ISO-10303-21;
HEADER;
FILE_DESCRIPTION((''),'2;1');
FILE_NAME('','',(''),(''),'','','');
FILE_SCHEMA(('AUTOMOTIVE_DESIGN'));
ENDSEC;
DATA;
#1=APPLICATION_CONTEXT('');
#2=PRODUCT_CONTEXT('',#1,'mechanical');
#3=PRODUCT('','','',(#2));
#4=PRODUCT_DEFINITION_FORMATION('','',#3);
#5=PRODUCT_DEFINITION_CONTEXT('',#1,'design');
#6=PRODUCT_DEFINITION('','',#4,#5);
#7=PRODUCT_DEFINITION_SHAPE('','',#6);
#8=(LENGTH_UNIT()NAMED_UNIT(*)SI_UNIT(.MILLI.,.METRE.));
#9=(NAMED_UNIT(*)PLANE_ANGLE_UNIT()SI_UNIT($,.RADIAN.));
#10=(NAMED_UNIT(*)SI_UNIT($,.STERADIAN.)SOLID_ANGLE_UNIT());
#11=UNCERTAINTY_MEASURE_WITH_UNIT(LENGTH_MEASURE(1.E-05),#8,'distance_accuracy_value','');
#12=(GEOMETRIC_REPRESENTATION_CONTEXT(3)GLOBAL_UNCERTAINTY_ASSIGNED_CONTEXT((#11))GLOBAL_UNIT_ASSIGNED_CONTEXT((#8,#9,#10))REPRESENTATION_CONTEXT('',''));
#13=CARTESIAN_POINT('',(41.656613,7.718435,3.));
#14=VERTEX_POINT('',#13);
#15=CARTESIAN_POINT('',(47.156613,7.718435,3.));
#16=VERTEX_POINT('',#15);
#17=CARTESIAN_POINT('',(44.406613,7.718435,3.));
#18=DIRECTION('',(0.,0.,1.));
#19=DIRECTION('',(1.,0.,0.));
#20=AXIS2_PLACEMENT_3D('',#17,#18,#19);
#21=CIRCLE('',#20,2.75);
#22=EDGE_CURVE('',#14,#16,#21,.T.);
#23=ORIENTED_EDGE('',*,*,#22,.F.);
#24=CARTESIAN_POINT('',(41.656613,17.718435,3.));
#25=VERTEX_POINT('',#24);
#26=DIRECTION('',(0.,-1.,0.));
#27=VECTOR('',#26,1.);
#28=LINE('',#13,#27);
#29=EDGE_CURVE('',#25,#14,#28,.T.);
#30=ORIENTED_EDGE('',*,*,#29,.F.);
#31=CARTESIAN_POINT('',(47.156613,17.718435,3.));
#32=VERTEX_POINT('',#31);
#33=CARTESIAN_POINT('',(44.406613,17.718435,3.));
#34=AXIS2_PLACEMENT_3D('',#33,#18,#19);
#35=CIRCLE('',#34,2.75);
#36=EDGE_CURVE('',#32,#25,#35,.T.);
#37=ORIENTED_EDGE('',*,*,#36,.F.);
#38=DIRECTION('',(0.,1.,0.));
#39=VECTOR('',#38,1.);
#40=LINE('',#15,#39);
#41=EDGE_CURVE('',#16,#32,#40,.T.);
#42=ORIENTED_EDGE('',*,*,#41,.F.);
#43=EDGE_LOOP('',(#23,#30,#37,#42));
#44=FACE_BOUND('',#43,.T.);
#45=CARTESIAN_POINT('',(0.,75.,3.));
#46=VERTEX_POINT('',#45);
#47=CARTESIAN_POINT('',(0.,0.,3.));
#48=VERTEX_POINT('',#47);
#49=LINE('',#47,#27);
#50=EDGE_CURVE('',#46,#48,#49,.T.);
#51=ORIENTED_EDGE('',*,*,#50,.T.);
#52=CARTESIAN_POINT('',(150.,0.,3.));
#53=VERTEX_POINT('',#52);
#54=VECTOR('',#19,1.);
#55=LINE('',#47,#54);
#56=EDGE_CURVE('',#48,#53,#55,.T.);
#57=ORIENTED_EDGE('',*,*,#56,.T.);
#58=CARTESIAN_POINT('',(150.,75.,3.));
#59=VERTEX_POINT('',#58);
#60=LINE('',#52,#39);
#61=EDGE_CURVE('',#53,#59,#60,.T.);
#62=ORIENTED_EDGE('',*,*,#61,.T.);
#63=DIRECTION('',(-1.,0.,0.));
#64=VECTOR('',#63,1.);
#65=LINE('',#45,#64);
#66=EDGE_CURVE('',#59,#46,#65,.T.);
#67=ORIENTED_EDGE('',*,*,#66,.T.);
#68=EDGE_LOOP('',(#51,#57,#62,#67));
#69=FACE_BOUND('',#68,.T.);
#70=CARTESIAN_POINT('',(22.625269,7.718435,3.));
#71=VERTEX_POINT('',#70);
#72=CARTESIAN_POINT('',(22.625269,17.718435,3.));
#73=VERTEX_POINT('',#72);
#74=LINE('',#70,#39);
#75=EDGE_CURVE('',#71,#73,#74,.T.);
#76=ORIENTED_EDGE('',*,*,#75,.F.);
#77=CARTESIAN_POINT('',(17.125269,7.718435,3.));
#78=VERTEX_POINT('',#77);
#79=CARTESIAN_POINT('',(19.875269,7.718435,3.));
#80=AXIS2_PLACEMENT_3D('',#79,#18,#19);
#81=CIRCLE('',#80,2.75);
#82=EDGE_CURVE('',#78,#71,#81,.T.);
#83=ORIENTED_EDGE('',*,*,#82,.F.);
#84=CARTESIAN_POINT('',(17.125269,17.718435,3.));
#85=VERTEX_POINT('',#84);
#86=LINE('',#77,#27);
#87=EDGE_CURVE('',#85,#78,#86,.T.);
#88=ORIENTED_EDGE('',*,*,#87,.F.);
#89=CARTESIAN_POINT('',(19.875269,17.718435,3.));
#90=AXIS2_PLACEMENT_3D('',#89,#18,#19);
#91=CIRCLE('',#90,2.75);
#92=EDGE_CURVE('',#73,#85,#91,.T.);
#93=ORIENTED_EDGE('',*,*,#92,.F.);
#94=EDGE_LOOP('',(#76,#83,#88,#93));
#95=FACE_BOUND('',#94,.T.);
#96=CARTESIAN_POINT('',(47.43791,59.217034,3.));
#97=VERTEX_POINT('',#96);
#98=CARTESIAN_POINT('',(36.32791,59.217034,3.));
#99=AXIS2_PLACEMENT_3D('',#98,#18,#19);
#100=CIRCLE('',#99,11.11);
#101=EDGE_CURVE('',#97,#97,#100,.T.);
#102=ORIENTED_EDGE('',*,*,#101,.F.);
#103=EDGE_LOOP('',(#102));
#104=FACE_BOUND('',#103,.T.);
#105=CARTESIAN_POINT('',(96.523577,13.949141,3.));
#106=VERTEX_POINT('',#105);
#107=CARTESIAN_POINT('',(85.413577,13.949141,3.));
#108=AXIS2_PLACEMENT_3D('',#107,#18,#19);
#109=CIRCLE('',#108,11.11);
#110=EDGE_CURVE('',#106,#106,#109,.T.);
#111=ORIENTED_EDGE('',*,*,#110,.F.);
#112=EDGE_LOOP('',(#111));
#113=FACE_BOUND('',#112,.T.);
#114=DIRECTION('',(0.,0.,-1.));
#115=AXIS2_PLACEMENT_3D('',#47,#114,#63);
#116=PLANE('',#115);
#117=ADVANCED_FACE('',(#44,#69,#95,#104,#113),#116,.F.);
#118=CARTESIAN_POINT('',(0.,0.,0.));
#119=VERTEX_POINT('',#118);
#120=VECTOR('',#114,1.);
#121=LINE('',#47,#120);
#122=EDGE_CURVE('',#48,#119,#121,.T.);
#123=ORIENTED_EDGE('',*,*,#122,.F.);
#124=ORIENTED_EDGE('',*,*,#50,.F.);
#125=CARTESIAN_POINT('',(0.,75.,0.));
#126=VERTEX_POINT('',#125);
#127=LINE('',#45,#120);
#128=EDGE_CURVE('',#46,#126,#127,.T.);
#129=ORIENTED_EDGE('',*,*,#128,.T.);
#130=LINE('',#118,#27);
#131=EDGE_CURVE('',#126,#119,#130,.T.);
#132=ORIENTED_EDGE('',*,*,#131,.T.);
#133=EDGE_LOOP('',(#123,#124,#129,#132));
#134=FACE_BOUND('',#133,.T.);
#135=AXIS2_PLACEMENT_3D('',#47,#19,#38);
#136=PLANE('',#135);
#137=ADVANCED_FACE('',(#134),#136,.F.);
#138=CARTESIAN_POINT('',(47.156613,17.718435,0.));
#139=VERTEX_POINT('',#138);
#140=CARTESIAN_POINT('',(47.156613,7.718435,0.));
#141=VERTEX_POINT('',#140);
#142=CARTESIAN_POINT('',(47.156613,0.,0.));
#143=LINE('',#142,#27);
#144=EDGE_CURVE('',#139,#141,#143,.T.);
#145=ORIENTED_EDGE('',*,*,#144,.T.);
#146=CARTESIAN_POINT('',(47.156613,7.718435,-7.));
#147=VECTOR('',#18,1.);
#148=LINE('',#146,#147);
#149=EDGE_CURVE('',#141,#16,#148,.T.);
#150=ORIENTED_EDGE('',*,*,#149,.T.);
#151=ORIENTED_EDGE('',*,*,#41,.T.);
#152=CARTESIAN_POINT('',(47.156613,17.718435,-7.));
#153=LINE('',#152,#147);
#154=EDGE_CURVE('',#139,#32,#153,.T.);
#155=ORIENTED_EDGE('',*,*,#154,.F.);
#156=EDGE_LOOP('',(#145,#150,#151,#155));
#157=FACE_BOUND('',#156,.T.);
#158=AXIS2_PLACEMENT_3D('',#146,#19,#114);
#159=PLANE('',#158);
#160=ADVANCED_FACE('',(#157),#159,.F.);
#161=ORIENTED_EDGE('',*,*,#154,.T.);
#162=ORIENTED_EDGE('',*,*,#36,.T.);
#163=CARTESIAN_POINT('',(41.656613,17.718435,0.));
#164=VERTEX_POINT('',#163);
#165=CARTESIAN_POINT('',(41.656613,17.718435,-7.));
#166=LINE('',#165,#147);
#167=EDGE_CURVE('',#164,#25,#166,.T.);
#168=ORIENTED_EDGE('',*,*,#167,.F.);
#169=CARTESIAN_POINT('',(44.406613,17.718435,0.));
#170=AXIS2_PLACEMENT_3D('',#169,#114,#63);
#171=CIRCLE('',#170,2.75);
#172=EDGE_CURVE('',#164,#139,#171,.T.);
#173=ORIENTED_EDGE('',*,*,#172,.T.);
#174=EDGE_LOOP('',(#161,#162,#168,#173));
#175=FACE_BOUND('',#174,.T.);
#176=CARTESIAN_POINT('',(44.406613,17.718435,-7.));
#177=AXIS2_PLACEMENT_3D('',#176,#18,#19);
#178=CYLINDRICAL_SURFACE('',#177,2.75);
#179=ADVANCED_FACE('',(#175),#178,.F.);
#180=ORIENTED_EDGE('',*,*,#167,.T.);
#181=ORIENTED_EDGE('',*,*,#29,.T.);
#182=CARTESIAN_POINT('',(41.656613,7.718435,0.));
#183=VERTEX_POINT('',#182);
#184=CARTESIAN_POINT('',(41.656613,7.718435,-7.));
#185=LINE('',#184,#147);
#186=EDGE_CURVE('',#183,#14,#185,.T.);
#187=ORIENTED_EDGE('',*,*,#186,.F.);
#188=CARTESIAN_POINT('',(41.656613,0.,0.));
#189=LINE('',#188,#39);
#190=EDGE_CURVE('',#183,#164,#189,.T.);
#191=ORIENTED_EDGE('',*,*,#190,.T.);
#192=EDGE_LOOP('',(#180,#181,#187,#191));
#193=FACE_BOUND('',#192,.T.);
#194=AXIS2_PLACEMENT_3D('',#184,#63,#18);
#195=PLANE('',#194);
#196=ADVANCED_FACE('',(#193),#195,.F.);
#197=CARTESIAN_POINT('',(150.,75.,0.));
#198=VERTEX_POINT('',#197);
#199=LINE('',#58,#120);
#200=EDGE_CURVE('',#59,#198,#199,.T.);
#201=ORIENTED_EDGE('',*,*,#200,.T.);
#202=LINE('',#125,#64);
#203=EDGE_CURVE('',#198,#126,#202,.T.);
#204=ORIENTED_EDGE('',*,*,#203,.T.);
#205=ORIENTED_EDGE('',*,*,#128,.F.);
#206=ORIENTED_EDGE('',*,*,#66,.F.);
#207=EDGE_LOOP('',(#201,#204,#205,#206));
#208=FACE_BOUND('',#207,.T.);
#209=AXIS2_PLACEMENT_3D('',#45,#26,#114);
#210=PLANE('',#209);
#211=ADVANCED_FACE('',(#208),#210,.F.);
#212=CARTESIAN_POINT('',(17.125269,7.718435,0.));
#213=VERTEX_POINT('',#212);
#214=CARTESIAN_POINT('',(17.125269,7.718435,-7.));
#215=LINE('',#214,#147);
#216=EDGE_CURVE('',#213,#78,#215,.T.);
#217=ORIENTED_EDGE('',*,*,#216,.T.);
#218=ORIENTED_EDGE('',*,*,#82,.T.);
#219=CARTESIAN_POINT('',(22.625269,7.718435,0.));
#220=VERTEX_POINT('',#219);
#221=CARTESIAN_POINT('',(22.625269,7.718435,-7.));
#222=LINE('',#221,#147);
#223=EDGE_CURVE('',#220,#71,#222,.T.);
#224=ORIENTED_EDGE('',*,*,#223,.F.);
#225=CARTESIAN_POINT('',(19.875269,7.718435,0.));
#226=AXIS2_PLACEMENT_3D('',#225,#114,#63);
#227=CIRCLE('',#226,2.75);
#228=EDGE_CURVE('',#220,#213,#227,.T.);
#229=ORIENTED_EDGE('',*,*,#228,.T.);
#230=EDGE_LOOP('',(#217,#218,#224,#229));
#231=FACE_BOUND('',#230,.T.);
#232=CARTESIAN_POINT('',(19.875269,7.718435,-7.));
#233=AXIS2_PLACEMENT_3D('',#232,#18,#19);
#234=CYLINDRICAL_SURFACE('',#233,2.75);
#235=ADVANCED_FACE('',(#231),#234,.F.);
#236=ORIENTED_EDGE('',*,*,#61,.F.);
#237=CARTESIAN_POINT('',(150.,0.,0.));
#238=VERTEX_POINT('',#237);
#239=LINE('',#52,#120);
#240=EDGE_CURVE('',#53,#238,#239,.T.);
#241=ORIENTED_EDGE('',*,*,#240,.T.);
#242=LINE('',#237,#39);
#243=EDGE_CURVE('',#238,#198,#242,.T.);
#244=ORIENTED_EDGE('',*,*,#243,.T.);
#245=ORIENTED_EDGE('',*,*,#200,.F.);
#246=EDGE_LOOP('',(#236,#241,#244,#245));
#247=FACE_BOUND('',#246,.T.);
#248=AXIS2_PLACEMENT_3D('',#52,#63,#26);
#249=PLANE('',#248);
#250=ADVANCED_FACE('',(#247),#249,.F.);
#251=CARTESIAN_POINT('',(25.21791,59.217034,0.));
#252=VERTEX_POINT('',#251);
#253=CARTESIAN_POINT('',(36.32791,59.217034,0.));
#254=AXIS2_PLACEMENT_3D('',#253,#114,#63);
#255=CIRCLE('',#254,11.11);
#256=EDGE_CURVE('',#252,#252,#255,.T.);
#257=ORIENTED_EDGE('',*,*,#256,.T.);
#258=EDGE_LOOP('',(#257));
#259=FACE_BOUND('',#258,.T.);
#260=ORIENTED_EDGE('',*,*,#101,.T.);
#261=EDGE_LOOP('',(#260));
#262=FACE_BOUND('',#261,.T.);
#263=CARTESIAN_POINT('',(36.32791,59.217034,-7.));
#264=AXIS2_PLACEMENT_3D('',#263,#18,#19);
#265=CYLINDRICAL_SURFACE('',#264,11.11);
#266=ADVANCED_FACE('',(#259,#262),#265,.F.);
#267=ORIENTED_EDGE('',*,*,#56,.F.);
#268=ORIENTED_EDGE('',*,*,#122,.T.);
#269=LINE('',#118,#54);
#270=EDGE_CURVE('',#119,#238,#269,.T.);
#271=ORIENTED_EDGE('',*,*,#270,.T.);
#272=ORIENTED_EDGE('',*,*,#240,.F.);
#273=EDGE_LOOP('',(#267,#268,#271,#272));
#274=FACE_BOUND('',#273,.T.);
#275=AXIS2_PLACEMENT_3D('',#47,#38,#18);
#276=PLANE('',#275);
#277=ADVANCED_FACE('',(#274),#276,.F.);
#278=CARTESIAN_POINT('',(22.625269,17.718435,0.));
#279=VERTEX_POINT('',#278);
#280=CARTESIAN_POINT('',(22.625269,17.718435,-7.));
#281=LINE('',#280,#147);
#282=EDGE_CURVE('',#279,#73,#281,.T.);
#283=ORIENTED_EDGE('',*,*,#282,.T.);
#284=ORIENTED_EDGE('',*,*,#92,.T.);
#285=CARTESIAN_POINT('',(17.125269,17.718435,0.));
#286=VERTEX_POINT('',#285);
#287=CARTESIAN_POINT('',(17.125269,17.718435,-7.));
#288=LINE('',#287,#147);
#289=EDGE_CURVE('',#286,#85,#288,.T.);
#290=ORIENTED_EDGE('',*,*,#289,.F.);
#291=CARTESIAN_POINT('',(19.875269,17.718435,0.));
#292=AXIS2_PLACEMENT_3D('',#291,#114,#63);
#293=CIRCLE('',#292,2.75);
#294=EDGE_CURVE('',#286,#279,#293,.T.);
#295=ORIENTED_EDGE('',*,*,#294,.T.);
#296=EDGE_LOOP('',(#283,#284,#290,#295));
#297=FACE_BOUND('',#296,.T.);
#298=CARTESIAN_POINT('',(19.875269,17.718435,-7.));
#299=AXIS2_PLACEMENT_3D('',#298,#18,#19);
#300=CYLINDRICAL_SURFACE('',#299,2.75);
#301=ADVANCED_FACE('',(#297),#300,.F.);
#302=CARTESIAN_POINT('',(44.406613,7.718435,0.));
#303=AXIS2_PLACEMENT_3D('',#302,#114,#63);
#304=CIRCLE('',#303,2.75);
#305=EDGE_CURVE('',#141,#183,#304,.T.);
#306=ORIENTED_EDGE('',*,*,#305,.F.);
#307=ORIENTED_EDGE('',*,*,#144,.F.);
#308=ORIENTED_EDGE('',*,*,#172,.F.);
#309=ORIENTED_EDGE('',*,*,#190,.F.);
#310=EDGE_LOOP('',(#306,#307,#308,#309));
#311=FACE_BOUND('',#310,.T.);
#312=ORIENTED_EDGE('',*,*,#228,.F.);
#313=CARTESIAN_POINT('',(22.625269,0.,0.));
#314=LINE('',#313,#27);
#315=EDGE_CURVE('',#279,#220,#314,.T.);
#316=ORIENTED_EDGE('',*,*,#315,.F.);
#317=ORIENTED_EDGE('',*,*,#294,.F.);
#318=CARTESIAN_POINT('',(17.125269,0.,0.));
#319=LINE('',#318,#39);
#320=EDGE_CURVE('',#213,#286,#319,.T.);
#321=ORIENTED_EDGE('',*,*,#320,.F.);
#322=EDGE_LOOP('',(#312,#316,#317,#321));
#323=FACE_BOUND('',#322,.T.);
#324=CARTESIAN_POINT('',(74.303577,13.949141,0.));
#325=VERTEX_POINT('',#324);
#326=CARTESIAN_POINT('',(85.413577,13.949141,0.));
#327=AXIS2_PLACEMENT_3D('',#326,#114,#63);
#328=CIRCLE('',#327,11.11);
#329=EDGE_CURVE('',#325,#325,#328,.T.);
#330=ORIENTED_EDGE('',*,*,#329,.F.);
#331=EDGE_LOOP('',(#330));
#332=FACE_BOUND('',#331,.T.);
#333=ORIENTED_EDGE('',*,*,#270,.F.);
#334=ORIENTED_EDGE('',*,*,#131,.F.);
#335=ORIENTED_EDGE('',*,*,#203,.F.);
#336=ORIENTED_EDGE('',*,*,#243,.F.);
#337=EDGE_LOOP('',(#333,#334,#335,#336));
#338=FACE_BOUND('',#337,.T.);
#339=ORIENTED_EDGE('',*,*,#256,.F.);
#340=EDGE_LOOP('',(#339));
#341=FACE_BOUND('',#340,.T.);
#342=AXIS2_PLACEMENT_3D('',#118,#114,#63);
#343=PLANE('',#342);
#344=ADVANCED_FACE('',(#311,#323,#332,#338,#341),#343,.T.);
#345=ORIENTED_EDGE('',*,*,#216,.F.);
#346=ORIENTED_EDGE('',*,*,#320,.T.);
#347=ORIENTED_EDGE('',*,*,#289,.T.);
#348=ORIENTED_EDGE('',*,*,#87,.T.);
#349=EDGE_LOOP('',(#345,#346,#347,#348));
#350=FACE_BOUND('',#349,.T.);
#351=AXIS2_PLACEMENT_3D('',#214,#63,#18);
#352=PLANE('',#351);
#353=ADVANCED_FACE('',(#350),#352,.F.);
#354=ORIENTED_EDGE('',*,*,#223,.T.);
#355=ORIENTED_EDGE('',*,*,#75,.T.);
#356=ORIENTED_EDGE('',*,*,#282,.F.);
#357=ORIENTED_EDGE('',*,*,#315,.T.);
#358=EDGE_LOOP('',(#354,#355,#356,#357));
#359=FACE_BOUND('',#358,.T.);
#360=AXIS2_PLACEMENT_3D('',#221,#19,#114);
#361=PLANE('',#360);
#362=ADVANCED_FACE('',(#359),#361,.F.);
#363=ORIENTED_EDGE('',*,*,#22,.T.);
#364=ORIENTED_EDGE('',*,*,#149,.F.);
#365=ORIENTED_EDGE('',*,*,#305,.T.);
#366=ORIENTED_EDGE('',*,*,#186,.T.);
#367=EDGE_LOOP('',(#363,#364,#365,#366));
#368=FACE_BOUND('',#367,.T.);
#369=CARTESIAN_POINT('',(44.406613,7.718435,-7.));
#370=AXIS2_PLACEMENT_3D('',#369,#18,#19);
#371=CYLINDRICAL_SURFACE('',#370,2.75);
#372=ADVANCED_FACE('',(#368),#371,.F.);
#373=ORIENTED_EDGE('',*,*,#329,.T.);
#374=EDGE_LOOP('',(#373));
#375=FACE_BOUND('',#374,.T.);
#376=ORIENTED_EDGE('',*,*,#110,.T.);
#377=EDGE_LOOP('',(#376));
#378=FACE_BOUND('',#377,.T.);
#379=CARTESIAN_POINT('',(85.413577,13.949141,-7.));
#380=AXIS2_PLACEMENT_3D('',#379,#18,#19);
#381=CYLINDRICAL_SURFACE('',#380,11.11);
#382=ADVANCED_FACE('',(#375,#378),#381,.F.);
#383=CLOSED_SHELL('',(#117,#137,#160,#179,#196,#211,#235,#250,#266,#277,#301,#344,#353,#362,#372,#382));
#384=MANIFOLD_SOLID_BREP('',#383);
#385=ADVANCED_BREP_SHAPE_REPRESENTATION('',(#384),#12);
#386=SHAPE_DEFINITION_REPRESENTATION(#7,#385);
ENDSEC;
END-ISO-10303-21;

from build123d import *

# Parameters (mm, degrees)
SKETCH1_W           = 150
SKETCH1_H           = 75
BOSS_EXTRUDE1_DEPTH = 3
SKETCH2_R           = 11.11
CUT_EXTRUDE1_DEPTH  = 10


with BuildPart() as part:
    # Sketch1 → Boss-Extrude1 (new body)
    with BuildSketch(Plane.XY):
        with Locations((75, 37.5)):
            Rectangle(SKETCH1_W, SKETCH1_H)
    extrude(amount=BOSS_EXTRUDE1_DEPTH)

    # Sketch2 → Cut-Extrude1 (cut)
    with BuildSketch(Plane.XY.offset(3)):
        with Locations((36.327910431, 59.217033853)):
            Circle(SKETCH2_R)
        with Locations((85.413576885, 13.949141457)):
            Circle(SKETCH2_R)
        with BuildLine():
            Line((17.12526901, 7.718435361), (17.12526901, 17.718435361))
            ThreePointArc((17.12526901, 17.718435361), (19.87526901, 20.468435361), (22.62526901, 17.718435361))
            Line((22.62526901, 17.718435361), (22.62526901, 7.718435361))
            ThreePointArc((22.62526901, 7.718435361), (19.87526901, 4.968435361), (17.12526901, 7.718435361))
        make_face()
        with BuildLine():
            Line((41.656612513, 7.718435361), (41.656612513, 17.718435361))
            ThreePointArc((41.656612513, 17.718435361), (44.406612513, 20.468435361), (47.156612513, 17.718435361))
            Line((47.156612513, 17.718435361), (47.156612513, 7.718435361))
            ThreePointArc((47.156612513, 7.718435361), (44.406612513, 4.968435361), (41.656612513, 7.718435361))
        make_face()
    extrude(amount=-CUT_EXTRUDE1_DEPTH, mode=Mode.SUBTRACT)


solid = part.part
